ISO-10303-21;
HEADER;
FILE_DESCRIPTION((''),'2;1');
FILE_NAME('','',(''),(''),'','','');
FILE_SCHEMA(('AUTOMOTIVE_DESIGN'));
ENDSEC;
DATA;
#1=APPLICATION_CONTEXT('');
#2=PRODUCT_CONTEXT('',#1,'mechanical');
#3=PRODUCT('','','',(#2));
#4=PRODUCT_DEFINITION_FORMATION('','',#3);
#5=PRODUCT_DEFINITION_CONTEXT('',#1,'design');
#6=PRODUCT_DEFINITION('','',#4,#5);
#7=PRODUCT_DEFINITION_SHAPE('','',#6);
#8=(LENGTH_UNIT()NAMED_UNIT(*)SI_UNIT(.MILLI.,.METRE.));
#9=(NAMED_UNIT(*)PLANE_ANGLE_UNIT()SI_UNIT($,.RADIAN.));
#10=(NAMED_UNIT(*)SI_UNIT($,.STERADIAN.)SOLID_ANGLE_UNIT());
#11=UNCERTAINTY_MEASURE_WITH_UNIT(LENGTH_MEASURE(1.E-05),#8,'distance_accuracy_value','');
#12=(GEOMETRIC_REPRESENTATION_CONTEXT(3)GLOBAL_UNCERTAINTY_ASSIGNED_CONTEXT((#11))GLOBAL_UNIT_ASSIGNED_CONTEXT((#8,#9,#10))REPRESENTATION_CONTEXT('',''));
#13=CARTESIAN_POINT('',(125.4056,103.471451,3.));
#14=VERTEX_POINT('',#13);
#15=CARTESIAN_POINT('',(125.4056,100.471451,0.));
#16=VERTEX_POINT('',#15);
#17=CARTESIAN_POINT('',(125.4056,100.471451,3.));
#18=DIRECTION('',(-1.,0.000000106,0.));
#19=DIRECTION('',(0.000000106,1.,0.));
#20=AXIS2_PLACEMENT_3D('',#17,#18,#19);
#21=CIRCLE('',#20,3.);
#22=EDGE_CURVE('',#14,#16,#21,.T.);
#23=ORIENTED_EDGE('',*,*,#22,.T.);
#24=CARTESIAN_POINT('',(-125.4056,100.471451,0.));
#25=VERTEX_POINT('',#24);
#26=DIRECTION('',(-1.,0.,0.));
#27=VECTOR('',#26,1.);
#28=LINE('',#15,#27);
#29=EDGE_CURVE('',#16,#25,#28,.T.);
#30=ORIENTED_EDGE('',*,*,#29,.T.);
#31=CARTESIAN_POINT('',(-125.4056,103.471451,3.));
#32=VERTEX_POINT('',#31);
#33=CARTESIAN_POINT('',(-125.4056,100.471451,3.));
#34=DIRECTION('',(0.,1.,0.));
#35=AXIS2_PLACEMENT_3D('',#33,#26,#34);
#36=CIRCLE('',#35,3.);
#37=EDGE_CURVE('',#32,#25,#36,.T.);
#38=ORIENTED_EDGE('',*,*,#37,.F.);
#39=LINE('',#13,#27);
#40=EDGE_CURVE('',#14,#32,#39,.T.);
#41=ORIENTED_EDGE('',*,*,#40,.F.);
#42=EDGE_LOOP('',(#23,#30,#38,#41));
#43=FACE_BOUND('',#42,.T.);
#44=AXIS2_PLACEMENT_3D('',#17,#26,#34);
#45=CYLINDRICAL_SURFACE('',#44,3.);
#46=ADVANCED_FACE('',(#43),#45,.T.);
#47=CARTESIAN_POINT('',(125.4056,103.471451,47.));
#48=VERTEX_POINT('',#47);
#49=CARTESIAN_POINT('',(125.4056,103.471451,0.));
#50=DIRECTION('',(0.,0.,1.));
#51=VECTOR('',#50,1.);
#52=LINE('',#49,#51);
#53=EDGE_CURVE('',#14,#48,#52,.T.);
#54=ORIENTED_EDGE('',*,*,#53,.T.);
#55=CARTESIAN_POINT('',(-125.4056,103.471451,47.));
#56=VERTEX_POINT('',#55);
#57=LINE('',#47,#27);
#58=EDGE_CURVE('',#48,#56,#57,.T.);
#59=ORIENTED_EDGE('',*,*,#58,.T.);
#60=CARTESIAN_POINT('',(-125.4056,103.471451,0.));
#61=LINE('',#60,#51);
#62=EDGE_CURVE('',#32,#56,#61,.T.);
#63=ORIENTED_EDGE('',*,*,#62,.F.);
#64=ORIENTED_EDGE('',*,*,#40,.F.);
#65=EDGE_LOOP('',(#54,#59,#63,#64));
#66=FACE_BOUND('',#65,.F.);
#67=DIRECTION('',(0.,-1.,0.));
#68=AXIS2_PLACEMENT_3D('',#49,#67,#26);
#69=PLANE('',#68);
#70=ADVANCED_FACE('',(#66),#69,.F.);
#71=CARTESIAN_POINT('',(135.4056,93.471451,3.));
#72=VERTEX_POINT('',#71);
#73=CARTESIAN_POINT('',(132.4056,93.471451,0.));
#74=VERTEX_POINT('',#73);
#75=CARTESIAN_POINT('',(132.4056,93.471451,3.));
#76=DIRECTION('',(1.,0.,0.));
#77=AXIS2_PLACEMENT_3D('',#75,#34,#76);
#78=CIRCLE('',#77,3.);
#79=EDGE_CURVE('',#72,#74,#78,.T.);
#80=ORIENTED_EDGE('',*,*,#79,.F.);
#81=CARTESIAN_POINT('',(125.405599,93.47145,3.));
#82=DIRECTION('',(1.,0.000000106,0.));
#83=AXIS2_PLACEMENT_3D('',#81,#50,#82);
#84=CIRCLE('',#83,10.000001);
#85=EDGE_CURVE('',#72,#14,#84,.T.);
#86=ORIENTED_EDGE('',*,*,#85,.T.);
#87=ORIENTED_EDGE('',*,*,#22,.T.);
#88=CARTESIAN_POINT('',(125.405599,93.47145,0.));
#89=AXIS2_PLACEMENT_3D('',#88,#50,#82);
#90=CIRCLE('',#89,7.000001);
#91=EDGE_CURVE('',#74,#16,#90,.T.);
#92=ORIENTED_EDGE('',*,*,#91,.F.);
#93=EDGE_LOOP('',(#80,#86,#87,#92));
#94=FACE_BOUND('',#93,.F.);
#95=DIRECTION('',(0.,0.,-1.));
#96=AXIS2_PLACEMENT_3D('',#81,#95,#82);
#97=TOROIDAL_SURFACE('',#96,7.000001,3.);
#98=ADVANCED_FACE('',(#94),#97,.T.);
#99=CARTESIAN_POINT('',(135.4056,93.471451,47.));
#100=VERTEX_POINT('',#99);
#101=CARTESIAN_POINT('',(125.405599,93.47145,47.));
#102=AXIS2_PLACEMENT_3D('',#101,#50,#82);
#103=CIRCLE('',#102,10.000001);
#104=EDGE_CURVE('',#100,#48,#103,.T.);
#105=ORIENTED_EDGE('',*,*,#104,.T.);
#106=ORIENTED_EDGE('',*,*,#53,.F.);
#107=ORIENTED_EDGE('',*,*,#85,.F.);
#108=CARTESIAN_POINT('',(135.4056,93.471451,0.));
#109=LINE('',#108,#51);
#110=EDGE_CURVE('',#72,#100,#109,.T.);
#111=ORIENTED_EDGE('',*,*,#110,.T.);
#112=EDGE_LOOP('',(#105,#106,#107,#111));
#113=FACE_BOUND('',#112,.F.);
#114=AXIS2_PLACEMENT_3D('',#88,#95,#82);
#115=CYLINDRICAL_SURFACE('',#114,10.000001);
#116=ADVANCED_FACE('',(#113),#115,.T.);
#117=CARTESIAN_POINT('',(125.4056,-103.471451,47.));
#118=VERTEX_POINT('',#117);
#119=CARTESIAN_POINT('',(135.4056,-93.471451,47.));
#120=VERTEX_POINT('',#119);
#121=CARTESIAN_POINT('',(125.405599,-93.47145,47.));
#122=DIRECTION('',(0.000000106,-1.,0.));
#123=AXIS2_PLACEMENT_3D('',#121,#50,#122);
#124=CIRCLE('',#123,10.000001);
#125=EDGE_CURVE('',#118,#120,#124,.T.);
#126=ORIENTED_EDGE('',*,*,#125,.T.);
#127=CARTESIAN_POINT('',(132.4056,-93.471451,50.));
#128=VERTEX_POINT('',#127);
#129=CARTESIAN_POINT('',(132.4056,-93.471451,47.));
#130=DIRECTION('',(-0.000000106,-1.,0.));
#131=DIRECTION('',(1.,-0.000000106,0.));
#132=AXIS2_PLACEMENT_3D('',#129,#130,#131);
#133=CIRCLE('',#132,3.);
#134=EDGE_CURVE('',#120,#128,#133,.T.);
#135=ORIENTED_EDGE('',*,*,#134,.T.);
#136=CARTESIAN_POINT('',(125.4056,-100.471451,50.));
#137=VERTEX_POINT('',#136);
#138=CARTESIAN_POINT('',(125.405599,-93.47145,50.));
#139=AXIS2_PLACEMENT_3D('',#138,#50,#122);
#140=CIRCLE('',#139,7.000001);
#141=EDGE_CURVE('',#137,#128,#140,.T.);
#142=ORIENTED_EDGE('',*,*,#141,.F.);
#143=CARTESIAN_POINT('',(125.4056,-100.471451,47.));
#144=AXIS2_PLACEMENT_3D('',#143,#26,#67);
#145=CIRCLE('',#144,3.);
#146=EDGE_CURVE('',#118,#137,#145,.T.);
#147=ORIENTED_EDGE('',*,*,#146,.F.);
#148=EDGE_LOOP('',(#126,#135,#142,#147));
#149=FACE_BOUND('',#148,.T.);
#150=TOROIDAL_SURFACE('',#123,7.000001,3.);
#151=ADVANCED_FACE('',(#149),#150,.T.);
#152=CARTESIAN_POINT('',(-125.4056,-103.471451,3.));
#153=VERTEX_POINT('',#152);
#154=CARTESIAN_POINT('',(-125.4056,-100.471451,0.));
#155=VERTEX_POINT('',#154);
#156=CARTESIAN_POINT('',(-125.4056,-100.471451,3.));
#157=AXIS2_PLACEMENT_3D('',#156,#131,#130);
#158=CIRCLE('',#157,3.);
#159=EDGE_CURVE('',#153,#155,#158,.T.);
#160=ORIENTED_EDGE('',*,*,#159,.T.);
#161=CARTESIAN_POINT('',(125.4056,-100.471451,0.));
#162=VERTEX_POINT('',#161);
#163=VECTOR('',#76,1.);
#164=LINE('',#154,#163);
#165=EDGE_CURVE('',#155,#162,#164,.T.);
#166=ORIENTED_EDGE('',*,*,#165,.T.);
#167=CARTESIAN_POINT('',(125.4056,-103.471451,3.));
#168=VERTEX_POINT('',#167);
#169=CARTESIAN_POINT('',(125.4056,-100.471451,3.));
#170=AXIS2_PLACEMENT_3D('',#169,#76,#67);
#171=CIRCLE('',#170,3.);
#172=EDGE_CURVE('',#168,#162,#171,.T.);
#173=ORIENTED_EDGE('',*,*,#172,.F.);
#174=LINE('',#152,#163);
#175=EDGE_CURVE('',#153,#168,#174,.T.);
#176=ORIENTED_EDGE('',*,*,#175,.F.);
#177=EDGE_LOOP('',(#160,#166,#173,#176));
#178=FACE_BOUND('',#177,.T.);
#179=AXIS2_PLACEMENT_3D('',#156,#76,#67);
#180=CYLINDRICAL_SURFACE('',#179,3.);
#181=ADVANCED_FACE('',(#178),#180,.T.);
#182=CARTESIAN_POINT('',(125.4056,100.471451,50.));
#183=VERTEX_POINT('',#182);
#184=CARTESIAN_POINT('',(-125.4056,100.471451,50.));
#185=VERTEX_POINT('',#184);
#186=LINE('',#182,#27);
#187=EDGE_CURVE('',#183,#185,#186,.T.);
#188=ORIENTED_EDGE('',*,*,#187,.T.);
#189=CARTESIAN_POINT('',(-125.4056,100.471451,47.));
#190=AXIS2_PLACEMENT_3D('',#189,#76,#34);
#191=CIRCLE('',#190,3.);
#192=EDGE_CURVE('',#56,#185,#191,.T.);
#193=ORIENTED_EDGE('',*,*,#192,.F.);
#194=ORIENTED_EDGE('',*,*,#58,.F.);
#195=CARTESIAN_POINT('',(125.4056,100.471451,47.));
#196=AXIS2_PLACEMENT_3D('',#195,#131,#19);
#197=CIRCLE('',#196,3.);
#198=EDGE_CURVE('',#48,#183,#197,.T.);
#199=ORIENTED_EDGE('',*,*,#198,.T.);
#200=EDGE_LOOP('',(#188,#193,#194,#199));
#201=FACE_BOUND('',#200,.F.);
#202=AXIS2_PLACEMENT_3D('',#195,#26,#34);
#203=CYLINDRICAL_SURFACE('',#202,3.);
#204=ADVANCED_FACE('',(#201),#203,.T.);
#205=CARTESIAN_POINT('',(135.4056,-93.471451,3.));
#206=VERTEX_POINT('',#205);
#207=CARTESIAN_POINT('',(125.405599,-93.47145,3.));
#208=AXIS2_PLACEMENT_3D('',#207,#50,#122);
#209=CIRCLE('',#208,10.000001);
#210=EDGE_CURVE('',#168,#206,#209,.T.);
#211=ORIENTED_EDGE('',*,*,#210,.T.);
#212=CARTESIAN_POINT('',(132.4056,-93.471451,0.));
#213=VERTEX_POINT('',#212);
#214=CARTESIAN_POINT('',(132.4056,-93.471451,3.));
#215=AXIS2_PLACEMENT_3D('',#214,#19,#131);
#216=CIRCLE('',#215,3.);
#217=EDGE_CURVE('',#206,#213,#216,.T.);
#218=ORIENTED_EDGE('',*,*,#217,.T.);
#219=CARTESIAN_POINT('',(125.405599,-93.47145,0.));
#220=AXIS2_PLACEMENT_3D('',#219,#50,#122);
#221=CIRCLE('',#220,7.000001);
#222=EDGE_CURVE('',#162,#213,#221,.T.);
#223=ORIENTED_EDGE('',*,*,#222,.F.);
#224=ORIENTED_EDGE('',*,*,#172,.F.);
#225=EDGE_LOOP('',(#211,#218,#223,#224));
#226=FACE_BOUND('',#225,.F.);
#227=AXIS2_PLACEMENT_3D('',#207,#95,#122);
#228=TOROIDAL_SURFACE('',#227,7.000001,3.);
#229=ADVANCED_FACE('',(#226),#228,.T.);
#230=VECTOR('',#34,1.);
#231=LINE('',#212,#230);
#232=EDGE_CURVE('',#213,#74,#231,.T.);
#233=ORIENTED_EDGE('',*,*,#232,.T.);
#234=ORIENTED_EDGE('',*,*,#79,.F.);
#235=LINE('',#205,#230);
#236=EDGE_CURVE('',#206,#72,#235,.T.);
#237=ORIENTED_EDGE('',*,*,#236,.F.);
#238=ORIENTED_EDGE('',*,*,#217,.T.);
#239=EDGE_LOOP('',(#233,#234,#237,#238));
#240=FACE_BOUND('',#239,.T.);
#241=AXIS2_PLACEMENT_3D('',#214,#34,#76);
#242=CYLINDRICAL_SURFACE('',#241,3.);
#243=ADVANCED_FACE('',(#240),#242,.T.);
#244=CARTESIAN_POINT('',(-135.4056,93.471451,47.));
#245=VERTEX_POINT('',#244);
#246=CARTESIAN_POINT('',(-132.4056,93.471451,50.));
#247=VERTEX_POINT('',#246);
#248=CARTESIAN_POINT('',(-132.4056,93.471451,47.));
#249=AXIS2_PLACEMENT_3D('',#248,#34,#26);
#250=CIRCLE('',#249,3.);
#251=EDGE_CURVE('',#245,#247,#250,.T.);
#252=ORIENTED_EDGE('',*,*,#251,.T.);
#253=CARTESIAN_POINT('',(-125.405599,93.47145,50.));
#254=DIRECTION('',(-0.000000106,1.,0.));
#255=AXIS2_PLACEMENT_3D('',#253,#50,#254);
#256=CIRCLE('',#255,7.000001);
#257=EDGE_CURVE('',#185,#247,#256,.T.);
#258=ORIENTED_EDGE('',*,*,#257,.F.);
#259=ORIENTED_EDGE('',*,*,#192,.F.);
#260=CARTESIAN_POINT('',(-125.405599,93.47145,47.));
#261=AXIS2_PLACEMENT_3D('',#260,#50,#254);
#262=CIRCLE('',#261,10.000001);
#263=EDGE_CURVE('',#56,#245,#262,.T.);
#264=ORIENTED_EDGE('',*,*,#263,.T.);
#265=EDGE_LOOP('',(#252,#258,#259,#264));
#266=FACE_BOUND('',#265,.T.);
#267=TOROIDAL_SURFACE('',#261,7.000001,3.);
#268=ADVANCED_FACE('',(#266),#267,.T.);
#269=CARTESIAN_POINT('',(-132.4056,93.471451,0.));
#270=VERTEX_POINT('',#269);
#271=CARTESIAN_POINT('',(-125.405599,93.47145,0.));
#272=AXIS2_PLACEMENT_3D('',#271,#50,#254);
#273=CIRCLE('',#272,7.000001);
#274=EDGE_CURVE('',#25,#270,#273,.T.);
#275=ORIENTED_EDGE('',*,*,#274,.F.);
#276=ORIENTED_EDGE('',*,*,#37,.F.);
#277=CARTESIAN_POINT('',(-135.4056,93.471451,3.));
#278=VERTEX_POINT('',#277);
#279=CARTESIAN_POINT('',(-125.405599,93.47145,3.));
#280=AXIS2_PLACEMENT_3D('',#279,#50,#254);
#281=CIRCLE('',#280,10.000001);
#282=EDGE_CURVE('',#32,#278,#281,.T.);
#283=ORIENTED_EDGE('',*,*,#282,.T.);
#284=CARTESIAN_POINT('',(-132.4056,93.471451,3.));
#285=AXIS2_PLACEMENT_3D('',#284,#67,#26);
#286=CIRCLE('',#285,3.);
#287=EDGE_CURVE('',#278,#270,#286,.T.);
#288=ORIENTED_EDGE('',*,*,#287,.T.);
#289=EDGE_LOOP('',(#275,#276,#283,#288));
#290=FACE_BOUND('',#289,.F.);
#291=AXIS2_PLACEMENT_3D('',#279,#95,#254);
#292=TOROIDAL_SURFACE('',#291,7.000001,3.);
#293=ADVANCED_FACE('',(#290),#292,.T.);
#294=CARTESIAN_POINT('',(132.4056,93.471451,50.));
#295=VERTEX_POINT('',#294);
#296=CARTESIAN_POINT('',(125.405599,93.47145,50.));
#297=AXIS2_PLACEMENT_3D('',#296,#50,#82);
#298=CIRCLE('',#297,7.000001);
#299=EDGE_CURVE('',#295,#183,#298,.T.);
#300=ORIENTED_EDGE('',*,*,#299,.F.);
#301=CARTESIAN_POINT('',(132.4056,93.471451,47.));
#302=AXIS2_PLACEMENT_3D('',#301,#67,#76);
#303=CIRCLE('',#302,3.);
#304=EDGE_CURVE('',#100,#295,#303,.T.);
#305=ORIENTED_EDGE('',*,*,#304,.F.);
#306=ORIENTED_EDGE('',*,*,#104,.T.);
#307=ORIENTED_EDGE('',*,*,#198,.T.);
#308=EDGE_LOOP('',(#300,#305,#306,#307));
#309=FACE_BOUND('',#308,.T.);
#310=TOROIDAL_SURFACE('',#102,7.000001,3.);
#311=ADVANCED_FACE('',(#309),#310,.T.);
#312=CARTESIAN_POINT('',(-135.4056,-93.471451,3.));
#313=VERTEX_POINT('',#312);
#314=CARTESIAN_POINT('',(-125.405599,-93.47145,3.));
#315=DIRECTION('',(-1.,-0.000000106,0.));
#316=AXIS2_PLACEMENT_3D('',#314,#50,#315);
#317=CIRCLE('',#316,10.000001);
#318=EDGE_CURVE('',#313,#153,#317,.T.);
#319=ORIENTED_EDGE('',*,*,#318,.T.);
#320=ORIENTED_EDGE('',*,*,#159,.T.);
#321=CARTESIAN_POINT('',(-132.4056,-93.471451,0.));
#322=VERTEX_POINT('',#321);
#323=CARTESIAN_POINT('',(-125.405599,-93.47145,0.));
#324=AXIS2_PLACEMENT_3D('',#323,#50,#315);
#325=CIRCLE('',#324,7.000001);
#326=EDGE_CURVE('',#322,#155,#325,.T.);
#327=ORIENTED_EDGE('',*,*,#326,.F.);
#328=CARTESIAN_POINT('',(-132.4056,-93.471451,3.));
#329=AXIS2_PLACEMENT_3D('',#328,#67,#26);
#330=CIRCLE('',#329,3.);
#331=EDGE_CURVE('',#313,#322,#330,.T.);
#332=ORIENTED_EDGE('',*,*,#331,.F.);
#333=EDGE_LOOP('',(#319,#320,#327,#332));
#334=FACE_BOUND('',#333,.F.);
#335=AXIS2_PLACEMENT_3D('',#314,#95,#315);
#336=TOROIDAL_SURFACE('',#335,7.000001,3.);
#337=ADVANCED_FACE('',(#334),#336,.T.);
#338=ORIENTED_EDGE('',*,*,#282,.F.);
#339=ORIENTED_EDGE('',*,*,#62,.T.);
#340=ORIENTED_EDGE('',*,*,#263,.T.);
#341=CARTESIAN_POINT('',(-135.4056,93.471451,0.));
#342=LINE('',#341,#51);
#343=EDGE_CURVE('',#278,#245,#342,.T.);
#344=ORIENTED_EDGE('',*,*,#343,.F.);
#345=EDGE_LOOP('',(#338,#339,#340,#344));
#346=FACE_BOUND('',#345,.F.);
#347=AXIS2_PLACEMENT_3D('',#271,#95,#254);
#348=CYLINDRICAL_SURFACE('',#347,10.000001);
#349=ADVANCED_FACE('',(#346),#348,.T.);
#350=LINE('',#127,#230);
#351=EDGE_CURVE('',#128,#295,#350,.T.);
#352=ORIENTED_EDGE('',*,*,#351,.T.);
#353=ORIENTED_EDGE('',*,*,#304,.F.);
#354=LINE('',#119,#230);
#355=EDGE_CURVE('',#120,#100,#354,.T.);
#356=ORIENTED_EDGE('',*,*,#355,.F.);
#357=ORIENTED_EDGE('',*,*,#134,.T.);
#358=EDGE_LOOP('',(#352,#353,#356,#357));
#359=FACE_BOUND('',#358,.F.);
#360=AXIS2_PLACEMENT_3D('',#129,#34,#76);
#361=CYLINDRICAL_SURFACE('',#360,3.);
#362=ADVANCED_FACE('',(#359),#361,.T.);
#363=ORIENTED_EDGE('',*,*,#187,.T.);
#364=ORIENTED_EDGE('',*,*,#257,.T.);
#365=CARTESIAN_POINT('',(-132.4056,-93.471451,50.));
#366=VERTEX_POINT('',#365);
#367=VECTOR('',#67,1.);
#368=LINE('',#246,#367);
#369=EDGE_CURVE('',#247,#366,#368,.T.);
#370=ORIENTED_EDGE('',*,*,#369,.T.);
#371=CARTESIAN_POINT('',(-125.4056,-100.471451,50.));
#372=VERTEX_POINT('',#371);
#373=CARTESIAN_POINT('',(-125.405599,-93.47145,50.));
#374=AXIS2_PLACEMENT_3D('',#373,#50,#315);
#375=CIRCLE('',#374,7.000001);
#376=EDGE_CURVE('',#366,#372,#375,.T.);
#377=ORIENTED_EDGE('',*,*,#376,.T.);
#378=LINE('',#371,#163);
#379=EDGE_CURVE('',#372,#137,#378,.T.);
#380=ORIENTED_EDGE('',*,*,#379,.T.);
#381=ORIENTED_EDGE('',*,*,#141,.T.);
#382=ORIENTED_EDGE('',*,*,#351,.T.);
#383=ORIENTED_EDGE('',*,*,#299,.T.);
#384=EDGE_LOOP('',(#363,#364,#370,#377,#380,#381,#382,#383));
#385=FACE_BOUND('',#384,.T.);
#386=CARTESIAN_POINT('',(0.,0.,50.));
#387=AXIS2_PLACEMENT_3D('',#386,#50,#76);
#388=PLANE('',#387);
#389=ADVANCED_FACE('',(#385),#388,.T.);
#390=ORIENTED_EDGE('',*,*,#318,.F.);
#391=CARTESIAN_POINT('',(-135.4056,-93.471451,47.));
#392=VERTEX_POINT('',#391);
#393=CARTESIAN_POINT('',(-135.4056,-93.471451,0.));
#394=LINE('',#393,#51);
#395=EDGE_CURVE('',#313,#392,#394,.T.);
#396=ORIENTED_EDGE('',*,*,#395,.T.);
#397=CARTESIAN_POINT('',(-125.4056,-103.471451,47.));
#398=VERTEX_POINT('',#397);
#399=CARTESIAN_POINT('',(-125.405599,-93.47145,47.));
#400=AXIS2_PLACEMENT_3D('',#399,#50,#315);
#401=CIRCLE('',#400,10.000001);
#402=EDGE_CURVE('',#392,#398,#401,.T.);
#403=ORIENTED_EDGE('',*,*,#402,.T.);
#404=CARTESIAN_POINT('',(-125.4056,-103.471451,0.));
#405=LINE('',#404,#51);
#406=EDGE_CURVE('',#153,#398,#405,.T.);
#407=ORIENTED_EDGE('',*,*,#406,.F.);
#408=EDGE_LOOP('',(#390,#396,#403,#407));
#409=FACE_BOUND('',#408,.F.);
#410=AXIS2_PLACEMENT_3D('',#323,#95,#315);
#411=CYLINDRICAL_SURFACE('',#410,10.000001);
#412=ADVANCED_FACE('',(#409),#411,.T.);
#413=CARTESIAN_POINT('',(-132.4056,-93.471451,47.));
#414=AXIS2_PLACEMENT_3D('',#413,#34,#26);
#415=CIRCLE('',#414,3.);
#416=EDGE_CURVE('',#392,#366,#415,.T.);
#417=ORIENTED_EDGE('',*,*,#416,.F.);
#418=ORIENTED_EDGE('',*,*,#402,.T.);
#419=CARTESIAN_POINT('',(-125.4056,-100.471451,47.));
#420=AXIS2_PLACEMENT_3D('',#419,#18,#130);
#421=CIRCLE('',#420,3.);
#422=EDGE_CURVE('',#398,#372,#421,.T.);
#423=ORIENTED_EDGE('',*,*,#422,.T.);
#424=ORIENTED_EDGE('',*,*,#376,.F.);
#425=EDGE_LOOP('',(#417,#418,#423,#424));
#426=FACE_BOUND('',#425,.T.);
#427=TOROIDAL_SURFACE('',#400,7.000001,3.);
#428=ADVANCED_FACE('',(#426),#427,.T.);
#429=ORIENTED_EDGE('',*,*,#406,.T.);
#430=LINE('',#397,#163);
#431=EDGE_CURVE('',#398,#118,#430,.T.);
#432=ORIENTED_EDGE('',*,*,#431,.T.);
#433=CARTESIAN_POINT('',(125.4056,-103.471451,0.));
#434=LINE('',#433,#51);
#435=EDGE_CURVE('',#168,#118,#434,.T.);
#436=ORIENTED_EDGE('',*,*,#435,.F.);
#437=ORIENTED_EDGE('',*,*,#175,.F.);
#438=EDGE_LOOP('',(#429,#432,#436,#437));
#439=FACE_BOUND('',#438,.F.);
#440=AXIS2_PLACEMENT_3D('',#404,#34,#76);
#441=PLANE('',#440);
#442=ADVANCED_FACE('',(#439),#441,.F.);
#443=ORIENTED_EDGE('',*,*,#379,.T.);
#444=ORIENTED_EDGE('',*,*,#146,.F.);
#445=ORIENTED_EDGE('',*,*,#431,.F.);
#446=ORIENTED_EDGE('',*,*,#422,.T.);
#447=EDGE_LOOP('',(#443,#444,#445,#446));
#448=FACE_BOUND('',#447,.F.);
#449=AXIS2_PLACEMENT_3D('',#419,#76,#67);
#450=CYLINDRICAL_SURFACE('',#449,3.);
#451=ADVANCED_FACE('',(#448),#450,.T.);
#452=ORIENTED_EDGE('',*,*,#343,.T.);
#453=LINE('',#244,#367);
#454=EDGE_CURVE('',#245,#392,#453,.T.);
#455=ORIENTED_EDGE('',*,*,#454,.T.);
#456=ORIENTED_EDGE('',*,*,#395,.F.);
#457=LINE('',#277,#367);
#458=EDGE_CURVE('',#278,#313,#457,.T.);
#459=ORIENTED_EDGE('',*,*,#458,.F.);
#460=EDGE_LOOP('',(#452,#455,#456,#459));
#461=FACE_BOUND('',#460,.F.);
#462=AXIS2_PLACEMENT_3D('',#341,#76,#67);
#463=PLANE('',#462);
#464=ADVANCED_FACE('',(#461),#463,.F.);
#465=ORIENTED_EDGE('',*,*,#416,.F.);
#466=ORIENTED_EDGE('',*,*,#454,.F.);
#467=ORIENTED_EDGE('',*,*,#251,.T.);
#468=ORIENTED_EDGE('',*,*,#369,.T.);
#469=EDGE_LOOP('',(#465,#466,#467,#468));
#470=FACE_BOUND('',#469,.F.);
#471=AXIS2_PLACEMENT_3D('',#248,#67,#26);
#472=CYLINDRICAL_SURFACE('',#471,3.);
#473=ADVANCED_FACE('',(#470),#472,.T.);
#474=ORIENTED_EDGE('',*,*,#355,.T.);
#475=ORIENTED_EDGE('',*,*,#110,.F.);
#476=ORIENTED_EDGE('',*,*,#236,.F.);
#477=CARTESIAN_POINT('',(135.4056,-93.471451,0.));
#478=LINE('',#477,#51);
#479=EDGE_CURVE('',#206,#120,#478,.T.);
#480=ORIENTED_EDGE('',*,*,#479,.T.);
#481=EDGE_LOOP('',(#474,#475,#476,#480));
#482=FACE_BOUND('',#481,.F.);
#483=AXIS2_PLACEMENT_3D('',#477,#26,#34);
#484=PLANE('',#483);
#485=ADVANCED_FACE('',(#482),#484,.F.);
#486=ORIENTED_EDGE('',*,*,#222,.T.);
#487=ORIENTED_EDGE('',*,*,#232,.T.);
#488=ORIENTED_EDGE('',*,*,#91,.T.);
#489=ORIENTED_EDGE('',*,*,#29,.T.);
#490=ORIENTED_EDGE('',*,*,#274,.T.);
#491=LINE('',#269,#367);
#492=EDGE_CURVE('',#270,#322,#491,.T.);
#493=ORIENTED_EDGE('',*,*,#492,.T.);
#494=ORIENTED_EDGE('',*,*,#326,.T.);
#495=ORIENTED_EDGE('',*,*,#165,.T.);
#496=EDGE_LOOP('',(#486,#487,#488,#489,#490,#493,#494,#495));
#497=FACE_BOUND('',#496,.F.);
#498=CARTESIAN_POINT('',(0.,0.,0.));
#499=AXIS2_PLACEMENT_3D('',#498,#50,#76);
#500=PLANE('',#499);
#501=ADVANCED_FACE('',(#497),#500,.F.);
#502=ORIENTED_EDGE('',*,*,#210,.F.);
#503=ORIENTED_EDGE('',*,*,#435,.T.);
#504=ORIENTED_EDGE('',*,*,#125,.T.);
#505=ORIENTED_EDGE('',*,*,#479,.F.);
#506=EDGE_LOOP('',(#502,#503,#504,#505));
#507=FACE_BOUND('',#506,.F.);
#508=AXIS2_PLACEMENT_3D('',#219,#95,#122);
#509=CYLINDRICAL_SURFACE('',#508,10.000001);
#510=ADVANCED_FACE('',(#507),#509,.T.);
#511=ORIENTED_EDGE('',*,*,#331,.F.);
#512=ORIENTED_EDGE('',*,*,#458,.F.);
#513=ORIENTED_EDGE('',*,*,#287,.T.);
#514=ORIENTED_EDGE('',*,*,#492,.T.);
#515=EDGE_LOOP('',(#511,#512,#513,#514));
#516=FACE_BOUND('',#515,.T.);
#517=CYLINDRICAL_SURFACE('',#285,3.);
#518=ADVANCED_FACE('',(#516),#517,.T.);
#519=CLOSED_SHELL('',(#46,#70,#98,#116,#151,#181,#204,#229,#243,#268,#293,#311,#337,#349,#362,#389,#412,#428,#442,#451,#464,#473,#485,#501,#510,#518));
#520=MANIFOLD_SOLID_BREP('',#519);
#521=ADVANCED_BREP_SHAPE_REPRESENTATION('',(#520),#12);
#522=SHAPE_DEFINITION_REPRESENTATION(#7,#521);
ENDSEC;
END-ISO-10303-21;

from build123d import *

# Parameters (mm, degrees)
F1_DEPTH = 50
F2_R     = 3


with BuildPart() as f1:
    # F0 (on Top) → F1 (new body)
    with BuildSketch(Plane.XY):
        with BuildLine():
            ThreePointArc((-135.4056, -93.471451), (-132.476668, -100.542518), (-125.4056, -103.471451))
            Line((-125.4056, -103.471451), (125.4056, -103.471451))
            ThreePointArc((125.4056, -103.471451), (132.476668, -100.542518), (135.4056, -93.471451))
            Line((135.4056, -93.471451), (135.4056, 93.471451))
            ThreePointArc((135.4056, 93.471451), (132.476668, 100.542518), (125.4056, 103.471451))
            Line((125.4056, 103.471451), (-125.4056, 103.471451))
            ThreePointArc((-125.4056, 103.471451), (-132.476668, 100.542518), (-135.4056, 93.471451))
            Line((-135.4056, 93.471451), (-135.4056, -93.471451))
        make_face()
    extrude(amount=F1_DEPTH)

    # F2
    f2_edges = [f1.edges().sort_by_distance(p)[0] for p in [
        (-135.4056, 0, 50),
        (-135.4056, 0, 0),
    ]]
    fillet(f2_edges, radius=F2_R)


solid = f1.part
